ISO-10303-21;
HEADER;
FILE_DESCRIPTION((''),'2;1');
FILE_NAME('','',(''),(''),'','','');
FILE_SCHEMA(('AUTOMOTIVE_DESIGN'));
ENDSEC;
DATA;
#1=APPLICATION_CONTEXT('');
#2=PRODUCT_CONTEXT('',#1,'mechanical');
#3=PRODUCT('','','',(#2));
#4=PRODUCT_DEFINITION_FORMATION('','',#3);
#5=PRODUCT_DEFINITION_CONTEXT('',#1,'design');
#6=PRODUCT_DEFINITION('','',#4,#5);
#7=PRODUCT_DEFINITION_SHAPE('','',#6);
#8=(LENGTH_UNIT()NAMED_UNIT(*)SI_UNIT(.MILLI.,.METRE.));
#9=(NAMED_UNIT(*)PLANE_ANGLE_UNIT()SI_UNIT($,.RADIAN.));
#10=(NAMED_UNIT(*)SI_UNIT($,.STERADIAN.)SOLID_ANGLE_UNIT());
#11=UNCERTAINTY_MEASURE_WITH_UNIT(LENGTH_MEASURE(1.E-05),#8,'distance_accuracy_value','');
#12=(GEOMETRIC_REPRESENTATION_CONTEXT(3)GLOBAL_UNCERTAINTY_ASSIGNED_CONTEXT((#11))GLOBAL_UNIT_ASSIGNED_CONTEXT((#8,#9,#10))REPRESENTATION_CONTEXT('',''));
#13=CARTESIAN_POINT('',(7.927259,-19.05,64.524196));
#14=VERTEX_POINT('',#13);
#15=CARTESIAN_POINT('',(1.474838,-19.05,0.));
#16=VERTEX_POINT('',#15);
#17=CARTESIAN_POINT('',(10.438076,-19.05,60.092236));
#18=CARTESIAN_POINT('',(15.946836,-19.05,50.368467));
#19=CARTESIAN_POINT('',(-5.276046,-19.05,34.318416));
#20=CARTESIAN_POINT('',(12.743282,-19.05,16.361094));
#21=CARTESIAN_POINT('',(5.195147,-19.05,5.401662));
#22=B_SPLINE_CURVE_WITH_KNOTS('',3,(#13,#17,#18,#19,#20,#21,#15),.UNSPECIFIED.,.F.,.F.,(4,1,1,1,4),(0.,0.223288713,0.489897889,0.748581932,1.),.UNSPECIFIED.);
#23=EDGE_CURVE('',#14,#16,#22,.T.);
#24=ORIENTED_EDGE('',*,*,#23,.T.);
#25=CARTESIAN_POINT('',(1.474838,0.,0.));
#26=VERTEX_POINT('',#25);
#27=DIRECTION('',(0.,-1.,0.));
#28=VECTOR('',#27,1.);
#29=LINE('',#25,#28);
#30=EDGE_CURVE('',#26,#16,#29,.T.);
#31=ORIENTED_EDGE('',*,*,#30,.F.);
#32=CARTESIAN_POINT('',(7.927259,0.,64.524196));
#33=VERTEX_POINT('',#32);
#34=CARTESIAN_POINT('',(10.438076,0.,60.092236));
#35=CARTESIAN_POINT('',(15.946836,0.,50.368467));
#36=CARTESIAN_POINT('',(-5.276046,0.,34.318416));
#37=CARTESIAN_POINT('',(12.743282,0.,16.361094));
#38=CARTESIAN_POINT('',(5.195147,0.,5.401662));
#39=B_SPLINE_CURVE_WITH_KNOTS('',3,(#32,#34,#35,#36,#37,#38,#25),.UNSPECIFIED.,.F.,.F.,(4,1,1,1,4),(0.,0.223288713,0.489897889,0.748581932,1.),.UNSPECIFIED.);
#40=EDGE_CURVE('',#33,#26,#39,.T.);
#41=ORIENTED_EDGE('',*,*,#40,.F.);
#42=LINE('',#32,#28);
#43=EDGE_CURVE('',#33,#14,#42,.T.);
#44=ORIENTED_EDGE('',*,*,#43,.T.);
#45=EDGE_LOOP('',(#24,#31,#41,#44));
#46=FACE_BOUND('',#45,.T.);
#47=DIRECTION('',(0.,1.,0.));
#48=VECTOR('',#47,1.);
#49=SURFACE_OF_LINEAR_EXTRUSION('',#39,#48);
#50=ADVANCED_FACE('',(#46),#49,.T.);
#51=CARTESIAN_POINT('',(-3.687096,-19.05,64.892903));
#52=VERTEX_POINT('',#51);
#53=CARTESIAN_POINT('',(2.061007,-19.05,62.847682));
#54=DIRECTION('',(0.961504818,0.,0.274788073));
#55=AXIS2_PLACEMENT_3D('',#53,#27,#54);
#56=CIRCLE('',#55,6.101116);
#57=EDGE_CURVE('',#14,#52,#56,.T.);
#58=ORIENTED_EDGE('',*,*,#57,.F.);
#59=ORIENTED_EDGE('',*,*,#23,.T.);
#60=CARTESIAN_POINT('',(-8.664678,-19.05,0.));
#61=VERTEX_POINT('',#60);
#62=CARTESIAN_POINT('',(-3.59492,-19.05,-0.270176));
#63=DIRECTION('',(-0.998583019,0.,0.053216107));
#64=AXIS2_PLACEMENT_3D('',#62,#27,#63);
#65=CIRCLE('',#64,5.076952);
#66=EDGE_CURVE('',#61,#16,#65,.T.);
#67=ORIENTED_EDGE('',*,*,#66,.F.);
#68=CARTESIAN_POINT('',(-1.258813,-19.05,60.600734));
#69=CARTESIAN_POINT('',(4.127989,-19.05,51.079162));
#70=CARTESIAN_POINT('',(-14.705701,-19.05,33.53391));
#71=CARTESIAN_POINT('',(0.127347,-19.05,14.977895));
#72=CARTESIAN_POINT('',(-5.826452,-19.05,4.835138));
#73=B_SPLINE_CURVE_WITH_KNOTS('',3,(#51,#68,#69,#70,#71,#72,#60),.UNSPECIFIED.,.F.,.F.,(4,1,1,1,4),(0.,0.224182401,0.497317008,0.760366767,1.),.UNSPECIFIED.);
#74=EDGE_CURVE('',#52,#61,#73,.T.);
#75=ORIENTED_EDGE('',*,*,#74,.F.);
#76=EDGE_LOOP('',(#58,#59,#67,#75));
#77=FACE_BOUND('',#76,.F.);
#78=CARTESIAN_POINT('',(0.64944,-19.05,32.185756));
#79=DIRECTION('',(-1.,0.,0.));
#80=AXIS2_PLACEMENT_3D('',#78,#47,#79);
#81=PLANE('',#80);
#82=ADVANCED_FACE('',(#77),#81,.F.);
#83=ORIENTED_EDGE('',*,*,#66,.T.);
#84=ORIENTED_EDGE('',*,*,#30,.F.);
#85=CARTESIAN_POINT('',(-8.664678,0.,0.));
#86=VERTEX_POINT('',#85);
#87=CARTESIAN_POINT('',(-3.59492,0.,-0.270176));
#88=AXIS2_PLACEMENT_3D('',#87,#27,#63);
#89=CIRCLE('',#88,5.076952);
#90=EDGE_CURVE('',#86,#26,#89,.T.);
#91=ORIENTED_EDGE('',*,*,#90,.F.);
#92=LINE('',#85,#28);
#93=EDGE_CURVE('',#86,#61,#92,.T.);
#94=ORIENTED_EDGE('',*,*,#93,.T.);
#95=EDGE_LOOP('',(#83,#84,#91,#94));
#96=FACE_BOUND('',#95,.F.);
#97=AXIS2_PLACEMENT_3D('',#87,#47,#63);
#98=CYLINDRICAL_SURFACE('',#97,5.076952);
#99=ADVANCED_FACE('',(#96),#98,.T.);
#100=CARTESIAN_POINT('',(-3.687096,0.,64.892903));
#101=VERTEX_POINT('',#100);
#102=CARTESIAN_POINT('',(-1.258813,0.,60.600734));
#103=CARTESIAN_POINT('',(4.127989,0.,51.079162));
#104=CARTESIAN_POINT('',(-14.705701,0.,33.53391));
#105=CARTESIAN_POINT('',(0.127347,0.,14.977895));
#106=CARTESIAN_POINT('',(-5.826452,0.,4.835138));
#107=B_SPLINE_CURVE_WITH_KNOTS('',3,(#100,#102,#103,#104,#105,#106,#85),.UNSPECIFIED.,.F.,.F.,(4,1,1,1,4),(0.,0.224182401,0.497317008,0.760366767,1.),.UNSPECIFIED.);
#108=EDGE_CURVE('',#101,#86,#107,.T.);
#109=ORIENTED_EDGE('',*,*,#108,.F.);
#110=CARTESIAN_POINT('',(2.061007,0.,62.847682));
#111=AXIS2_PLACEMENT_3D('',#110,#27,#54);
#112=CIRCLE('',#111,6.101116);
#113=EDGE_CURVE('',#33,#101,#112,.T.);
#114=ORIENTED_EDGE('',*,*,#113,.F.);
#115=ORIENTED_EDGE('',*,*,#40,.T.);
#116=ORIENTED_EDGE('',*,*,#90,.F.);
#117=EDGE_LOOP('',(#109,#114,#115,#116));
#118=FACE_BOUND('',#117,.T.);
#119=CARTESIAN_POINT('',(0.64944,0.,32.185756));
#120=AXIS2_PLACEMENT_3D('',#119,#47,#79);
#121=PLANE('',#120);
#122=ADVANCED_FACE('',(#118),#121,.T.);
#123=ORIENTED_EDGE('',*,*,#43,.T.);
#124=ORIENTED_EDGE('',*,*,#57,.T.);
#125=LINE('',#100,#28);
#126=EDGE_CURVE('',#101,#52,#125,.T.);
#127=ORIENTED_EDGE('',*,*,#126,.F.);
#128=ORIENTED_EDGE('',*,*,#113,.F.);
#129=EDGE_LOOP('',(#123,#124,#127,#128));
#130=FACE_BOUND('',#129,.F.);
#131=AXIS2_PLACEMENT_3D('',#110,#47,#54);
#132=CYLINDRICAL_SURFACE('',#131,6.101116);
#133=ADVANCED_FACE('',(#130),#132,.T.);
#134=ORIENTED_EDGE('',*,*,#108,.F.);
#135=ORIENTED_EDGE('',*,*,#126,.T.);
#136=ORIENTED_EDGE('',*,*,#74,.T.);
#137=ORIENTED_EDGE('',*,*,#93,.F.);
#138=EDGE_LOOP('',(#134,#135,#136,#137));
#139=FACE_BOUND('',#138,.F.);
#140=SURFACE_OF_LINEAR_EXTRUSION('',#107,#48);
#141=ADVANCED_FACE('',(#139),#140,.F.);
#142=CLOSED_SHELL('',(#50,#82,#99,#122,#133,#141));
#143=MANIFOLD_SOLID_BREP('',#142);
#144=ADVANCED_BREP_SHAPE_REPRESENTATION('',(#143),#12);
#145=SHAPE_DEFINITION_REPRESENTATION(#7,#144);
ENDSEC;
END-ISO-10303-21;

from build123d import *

# Parameters (mm, degrees)
F1_DEPTH = 19.05


with BuildPart() as f1:
    # F0 (on Front) → F1 (new body)
    with BuildSketch(Plane.XZ):
        with BuildLine():
            add(Edge.make_bspline(
                [(7.9272594303, 64.5241960883), (10.4380763235, 60.0922360727), (15.9468361621, 50.3684671249), (-5.2760462211, 34.3184157992), (12.7432820259, 16.3610939057), (5.1951472245, 5.4016620068), (1.4748382382, 0)],
                knots=[0, 0, 0, 0, 0.2232887133, 0.4898978893, 0.7485819323, 1, 1, 1, 1], degree=3))
            ThreePointArc((7.9272594303, 64.5241960883), (2.2545940852, 68.9457262658), (-3.687096294, 64.8929029703))
            add(Edge.make_bspline(
                [(-3.687096294, 64.8929029703), (-1.2588133972, 60.6007335226), (4.1279893893, 51.0791615625), (-14.7057011704, 33.5339096954), (0.1273473252, 14.977894897), (-5.8264515747, 4.8351379811), (-8.6646778509, 0)],
                knots=[0, 0, 0, 0, 0.2241824014, 0.4973170078, 0.7603667673, 1, 1, 1, 1], degree=3))
            ThreePointArc((-8.6646778509, 0), (-3.5949198063, -5.3471276084), (1.4748382382, 0))
        make_face()
    extrude(amount=F1_DEPTH)


solid = f1.part
